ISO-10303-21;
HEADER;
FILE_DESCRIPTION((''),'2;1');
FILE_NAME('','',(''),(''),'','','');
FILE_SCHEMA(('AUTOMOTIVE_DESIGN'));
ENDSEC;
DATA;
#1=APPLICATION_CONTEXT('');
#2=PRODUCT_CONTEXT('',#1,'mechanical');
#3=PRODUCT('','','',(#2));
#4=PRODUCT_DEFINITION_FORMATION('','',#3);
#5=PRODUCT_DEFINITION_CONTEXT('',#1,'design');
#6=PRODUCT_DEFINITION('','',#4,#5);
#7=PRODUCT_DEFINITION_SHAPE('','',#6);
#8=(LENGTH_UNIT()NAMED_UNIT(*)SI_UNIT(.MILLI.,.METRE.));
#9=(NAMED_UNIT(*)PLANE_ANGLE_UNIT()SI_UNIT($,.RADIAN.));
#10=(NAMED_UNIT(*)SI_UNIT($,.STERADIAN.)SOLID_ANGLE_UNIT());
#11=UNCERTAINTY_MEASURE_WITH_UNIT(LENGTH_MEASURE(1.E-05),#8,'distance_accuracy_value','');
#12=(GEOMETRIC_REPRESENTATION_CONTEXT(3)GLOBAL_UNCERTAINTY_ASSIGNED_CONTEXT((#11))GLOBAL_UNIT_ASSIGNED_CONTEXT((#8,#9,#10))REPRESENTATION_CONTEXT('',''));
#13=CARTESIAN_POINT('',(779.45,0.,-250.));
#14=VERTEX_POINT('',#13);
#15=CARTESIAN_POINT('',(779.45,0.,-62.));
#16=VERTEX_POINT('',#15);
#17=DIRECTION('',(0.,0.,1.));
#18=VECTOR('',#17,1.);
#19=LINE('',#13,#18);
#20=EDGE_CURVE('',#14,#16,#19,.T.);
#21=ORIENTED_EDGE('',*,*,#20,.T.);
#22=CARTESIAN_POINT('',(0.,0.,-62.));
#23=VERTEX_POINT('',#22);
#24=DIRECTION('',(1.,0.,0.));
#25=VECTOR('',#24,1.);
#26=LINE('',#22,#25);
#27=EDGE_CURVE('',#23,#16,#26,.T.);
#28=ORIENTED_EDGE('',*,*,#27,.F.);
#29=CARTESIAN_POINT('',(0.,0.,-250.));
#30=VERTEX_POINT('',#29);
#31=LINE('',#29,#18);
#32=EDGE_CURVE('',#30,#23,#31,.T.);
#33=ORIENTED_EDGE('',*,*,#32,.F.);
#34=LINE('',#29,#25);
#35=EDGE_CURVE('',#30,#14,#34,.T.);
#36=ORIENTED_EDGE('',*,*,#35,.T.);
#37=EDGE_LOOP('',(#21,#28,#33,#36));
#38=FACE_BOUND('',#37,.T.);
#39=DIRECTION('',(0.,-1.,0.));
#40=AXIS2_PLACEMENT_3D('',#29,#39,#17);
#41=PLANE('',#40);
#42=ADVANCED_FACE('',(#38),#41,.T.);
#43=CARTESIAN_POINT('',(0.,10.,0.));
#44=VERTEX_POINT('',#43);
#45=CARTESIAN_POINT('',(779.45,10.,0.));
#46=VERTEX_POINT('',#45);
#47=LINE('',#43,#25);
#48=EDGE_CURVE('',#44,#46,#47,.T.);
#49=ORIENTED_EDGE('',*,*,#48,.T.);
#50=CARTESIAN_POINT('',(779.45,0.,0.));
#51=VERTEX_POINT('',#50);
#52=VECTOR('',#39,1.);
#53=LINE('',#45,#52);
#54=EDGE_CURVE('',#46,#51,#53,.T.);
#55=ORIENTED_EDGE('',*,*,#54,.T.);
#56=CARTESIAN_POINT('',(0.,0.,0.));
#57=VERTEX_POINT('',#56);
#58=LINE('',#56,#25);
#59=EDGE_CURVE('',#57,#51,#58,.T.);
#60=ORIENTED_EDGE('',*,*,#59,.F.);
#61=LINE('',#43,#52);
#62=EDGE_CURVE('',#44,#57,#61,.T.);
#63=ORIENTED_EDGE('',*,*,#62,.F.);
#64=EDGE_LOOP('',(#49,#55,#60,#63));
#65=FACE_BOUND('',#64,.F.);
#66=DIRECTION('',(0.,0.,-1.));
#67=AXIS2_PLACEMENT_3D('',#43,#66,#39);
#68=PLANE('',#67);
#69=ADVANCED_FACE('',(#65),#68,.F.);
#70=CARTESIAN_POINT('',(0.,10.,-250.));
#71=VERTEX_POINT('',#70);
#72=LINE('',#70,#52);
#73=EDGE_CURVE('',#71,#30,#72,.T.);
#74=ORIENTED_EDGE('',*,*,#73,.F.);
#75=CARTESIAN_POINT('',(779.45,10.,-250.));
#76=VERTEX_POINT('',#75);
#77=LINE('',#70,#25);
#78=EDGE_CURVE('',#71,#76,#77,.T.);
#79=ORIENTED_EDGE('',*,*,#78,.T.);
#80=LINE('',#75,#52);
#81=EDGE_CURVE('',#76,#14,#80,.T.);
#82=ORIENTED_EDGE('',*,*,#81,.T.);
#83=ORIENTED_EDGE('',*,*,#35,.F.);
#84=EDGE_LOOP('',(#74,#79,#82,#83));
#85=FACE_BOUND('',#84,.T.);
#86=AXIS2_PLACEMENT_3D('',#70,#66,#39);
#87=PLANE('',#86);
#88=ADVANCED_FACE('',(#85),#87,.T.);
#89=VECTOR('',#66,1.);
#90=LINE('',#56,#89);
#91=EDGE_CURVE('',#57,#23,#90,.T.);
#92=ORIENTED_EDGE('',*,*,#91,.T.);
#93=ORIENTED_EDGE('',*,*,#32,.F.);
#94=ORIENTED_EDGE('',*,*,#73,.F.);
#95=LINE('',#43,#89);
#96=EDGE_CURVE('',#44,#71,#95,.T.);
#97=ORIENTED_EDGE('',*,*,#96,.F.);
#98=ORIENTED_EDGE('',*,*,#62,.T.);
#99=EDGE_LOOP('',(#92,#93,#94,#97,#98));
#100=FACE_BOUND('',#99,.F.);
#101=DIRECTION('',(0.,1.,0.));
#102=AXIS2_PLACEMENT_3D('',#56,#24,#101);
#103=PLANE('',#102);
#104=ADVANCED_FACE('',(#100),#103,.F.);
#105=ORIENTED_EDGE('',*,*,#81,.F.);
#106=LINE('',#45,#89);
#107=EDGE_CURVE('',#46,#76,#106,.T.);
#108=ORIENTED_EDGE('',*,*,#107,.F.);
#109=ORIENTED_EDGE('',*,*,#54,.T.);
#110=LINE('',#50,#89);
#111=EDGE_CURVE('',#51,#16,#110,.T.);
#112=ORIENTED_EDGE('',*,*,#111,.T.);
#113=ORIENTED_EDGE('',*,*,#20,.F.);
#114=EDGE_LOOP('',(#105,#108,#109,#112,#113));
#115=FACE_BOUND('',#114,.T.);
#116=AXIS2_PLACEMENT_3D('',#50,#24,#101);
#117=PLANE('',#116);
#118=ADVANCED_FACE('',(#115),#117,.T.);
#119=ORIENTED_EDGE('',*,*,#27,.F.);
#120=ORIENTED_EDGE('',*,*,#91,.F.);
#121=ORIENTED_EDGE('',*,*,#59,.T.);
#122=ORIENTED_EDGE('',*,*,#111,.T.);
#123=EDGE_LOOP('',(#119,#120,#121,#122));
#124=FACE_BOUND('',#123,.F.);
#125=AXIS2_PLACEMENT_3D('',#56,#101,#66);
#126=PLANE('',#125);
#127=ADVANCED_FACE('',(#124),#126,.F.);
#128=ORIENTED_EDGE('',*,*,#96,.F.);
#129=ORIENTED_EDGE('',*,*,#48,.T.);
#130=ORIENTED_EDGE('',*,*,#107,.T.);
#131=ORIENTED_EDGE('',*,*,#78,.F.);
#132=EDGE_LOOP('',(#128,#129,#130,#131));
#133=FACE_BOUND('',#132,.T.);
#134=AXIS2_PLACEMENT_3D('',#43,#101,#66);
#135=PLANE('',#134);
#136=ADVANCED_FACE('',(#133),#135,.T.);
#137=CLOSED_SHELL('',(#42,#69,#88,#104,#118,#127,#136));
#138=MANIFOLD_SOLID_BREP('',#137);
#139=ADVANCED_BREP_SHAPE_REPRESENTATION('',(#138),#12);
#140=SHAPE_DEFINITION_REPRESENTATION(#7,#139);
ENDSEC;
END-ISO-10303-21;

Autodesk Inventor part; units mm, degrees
ref_plane "YZ Plane" through (0, 0, 0) normal (1, 0, 0) x (0, 1, 0)
ref_plane "XZ Plane" through (0, 0, 0) normal (0, 1, 0) x (-1, 0, 0)
ref_plane "XY Plane" through (0, 0, 0) normal (0, 0, 1) x (1, 0, 0)
sketch "Sketch1" plane through (0, 0, 0) normal (1, 0, 0) x (0, 1, 0)
  line L0 (0, 0) -> (0, -62)
  line L1 (0, -250) -> (0, 0)
  line L2 (0, 0) -> (0, -62)
  line L3 (10, 0) -> (10, -250)
  line L4 (10, -250) -> (0, -250)
  line L5 (10, 0) -> (0, 0)
  dimension "d4" = 10
extrude "Extrusion1" add sketch "Sketch1" along normal blind 779.45
properties part number "Bottom"
